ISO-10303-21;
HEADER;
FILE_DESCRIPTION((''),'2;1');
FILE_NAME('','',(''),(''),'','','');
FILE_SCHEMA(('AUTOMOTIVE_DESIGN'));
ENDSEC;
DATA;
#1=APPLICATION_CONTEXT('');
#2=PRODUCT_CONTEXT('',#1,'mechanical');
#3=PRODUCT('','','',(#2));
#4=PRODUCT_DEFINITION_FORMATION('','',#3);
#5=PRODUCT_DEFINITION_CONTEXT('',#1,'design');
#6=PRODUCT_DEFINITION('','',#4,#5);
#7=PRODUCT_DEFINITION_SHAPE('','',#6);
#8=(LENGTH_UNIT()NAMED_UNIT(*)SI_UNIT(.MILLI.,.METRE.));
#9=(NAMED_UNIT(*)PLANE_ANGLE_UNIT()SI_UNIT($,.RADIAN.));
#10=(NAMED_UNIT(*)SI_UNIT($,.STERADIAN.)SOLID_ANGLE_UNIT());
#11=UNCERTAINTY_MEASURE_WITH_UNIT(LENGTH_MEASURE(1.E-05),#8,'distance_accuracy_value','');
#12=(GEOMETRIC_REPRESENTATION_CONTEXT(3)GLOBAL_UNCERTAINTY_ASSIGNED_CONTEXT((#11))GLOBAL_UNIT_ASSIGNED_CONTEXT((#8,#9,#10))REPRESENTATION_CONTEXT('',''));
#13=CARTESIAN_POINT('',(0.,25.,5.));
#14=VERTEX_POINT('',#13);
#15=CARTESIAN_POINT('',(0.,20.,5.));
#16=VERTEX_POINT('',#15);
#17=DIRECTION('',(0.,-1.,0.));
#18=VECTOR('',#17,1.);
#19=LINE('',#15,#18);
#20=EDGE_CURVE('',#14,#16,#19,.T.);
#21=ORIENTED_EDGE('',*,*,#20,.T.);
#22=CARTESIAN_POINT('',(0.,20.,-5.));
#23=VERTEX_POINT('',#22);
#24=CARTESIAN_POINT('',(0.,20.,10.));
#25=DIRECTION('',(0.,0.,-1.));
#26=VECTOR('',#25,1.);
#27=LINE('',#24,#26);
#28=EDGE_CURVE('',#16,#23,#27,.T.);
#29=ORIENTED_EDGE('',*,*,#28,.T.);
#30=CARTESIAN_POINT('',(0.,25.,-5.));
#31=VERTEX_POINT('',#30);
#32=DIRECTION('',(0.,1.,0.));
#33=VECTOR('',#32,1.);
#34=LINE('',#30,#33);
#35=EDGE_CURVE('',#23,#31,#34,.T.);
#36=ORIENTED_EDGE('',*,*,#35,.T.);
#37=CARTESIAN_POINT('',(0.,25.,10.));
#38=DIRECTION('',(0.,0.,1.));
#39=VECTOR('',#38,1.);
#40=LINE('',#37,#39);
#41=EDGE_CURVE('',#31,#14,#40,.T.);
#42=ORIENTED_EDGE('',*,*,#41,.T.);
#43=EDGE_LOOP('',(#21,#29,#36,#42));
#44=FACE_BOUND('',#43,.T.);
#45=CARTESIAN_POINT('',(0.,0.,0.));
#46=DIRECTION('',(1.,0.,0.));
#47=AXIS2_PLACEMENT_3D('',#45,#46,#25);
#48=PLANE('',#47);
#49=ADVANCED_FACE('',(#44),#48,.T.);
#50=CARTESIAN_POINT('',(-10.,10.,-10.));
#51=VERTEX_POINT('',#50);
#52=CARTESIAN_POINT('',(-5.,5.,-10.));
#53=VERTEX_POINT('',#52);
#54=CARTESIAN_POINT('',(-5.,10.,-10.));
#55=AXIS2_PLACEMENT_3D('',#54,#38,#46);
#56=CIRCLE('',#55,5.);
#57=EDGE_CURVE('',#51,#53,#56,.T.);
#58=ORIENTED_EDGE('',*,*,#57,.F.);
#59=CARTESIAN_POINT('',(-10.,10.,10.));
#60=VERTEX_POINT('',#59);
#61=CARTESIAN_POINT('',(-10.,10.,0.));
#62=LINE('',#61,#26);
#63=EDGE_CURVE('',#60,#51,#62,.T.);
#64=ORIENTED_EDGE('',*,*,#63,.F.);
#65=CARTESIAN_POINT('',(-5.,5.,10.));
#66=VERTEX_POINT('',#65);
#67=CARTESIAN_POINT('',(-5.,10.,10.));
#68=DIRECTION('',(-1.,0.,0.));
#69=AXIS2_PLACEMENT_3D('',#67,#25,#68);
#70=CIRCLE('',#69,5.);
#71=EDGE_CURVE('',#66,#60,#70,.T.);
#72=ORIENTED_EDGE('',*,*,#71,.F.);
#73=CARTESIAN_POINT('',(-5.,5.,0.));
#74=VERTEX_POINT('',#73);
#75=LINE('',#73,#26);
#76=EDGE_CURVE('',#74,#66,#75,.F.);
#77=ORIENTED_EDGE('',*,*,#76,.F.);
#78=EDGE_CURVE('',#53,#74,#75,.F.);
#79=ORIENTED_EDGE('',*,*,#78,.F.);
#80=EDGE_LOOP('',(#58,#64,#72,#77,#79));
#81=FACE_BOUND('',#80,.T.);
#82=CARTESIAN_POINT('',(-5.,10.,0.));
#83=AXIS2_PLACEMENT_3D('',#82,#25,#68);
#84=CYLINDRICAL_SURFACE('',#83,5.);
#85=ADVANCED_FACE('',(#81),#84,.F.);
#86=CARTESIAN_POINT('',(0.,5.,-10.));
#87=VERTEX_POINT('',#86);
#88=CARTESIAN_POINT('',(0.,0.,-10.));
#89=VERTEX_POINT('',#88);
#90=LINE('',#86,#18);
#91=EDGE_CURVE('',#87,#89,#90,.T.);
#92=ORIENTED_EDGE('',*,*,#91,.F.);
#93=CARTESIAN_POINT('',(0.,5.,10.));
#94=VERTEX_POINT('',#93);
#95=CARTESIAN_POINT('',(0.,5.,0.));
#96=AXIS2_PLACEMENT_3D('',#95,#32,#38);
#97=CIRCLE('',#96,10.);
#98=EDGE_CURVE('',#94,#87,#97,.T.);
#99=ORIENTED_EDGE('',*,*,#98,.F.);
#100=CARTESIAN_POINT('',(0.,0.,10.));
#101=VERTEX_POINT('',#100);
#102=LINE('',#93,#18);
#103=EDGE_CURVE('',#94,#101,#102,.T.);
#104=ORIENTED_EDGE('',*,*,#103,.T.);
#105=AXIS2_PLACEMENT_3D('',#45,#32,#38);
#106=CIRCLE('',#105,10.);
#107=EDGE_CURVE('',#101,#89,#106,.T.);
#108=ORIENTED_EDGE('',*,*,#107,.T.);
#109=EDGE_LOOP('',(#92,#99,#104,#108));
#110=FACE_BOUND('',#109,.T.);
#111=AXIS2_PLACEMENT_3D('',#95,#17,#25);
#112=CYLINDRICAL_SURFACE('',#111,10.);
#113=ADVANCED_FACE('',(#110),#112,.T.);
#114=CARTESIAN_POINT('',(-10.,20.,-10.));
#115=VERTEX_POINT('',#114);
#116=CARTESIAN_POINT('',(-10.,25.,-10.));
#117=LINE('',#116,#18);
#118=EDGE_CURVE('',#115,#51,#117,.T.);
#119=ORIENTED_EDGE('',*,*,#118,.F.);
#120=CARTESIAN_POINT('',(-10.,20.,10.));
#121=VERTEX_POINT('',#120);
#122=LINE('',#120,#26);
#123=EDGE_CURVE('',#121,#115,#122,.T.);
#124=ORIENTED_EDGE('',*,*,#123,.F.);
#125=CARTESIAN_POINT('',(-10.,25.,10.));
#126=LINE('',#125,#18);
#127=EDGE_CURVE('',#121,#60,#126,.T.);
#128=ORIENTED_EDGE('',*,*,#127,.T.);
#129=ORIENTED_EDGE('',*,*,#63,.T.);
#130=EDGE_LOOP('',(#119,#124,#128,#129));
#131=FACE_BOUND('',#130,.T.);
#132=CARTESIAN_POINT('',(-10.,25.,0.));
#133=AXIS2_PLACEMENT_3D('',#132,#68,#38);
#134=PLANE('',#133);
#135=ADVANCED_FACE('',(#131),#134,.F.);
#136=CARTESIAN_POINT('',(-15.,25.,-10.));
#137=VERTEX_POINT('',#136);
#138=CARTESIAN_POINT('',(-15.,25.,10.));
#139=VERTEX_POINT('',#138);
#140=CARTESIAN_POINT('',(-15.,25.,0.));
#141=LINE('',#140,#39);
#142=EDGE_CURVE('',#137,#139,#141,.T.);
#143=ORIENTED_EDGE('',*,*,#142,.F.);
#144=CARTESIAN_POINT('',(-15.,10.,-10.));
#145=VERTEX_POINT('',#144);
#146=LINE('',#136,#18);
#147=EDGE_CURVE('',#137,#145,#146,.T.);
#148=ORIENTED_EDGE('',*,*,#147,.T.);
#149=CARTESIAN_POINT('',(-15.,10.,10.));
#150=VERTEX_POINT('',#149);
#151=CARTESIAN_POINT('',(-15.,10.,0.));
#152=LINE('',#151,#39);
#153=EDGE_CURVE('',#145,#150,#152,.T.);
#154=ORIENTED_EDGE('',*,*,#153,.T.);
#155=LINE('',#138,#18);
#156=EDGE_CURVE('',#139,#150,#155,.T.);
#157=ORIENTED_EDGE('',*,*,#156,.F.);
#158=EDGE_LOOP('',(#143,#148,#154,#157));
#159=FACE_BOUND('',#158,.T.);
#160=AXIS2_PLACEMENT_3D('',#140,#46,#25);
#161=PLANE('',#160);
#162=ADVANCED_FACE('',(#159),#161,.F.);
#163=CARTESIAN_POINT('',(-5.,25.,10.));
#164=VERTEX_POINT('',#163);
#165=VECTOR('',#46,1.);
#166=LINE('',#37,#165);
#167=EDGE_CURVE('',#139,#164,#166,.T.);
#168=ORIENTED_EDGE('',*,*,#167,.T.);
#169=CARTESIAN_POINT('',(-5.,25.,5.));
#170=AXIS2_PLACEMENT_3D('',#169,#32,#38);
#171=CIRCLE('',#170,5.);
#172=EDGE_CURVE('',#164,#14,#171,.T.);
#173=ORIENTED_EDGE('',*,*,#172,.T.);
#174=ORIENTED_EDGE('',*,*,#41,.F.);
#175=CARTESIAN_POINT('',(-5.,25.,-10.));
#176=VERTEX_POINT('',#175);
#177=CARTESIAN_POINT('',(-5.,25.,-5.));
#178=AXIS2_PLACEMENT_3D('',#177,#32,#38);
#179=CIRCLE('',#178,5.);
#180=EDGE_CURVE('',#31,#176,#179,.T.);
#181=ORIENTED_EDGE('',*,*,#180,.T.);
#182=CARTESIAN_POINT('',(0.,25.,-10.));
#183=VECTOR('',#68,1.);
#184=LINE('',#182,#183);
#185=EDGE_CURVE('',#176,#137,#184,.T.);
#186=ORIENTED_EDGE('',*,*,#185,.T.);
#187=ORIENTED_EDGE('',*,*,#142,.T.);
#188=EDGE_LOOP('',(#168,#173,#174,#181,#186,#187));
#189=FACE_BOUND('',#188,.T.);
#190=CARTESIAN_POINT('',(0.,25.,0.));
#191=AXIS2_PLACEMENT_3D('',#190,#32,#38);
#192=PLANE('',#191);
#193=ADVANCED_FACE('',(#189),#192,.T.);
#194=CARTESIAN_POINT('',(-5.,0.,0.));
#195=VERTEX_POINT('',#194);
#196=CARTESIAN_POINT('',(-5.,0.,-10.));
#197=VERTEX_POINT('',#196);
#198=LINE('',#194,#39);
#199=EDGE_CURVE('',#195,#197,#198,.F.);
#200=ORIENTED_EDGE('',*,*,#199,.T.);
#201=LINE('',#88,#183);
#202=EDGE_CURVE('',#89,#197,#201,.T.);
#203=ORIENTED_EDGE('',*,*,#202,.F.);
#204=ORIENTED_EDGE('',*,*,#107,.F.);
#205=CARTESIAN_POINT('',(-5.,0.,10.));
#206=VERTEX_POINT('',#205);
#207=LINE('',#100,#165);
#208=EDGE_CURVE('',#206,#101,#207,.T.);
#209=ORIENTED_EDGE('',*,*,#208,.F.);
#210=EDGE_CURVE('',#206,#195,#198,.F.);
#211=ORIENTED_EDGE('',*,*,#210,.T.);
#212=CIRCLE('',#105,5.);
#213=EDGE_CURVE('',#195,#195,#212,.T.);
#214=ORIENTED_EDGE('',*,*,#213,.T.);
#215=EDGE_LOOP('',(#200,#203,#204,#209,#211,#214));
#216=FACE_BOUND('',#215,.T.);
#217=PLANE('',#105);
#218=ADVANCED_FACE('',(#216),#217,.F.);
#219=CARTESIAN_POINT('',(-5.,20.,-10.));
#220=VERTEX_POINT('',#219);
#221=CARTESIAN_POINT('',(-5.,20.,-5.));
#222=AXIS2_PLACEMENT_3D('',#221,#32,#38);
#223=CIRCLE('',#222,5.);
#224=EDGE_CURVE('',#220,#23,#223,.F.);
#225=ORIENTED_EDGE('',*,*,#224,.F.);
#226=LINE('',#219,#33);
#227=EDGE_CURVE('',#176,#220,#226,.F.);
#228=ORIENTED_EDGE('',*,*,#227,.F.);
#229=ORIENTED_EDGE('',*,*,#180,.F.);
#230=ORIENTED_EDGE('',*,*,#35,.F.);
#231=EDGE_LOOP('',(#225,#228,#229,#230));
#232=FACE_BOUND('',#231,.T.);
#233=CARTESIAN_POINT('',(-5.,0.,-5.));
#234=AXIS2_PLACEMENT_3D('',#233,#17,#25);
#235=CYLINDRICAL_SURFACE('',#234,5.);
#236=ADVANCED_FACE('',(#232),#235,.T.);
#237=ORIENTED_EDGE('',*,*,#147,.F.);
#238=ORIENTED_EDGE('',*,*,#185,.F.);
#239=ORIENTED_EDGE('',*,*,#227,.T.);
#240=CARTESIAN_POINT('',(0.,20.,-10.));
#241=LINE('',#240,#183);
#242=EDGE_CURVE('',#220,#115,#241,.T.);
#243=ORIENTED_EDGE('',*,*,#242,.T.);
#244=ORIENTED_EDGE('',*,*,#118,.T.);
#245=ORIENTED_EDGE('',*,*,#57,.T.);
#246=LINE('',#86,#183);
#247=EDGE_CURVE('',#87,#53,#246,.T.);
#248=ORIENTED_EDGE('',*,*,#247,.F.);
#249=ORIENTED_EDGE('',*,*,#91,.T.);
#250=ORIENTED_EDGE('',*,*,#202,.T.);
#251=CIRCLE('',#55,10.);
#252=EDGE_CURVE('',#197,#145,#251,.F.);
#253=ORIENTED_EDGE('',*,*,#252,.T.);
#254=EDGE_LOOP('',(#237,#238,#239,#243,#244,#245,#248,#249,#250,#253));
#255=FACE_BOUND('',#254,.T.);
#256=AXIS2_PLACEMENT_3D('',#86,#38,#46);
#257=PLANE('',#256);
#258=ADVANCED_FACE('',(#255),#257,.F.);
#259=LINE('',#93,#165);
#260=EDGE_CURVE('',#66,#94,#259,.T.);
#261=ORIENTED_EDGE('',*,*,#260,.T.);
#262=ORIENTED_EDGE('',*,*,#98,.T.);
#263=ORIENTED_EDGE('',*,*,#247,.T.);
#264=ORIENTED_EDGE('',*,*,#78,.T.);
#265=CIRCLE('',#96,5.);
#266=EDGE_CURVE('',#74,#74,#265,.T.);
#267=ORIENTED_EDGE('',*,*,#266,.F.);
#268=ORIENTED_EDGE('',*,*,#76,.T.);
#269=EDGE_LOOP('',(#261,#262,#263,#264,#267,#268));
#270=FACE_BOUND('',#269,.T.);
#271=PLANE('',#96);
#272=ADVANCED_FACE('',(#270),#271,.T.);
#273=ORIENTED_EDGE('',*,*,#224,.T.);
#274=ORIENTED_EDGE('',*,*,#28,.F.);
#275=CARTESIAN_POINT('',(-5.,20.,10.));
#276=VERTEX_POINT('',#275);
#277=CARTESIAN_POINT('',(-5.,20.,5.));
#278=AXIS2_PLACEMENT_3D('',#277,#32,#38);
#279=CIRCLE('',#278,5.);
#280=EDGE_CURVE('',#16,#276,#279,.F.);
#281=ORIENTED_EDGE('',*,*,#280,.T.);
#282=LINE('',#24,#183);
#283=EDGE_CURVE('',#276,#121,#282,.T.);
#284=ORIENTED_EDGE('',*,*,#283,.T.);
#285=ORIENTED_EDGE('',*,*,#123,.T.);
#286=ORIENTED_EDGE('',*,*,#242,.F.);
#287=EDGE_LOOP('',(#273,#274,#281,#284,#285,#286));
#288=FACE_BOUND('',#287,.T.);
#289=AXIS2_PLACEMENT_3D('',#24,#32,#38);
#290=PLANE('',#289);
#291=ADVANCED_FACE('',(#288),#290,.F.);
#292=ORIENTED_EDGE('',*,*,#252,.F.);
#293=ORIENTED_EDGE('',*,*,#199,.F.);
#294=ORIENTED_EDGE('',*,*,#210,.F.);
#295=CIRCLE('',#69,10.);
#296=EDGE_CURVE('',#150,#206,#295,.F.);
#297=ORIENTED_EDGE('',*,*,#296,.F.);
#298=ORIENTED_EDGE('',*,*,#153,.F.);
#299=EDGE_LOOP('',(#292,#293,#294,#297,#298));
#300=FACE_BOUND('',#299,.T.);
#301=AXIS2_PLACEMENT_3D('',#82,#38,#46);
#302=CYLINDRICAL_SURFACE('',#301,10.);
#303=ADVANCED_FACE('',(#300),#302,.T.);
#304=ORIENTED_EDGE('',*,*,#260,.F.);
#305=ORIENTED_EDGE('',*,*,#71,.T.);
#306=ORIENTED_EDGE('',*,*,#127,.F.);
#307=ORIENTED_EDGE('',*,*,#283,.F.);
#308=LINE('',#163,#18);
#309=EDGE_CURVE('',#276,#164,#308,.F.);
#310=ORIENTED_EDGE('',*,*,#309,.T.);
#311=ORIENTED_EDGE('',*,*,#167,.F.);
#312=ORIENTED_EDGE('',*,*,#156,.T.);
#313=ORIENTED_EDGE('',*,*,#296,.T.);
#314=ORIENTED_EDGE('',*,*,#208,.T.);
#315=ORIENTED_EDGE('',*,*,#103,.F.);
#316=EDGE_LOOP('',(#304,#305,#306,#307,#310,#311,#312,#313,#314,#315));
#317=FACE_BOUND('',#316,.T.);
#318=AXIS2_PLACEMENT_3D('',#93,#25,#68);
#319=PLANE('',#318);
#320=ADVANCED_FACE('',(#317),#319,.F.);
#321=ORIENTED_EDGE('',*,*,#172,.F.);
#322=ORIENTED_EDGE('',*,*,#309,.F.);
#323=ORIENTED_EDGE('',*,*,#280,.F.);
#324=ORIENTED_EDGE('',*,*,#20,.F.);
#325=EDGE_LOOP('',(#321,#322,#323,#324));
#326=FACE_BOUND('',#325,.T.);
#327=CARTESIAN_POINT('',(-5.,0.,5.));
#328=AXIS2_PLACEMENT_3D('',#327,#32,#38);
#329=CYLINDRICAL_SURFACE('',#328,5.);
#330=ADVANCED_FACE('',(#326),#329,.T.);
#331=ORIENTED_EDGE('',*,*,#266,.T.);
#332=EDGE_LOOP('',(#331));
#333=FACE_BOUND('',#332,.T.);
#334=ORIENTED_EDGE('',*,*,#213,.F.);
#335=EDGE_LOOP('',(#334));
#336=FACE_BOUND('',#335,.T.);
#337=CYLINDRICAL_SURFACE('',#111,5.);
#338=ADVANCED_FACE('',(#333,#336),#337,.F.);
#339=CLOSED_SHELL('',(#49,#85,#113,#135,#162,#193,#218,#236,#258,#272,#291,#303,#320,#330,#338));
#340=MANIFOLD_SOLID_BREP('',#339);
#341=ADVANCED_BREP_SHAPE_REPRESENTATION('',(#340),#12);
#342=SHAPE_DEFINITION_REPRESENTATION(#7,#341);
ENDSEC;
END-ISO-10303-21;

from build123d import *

# Parameters (mm, degrees)
SKETCH_1_R      = 5
EXTRUDE_1_DEPTH = 5
SKETCH_1_3_W    = 5
SKETCH_1_3_H    = 20
EXTRUDE_2_DEPTH = 25
SKETCH_2_W      = 20
SKETCH_2_H      = 5
EXTRUDE_3_DEPTH = 10
FILLET_1_R      = 5
FILLET_2_R      = 10
FILLET_3_R      = 5


with BuildPart() as part:
    # 草圖1 → 填料-伸長1 (new body)
    with BuildSketch(Plane(origin=(0, 0, 0), x_dir=(1, 0, 0), z_dir=(0, 1, 0))):
        with BuildLine():
            ThreePointArc((0, -10), (10, 0), (0, 10))
            Line((0, 10), (-10, 10))
            Line((-10, 10), (-10, -10))
            Line((-10, -10), (0, -10))
        make_face()
        with Locations(Location((0, 0, 0), (0, 0, 270))):
            Circle(SKETCH_1_R, mode=Mode.SUBTRACT)
    extrude(amount=EXTRUDE_1_DEPTH)

    # 草圖1<3> → 填料-伸長2 (add)
    with BuildSketch(Plane(origin=(0, 0, 0), x_dir=(1, 0, 0), z_dir=(0, 1, 0))):
        with Locations((-12.5, 0)):
            Rectangle(SKETCH_1_3_W, SKETCH_1_3_H)
    extrude(amount=EXTRUDE_2_DEPTH)

    # 草圖2 → 填料-伸長3 (add)
    with BuildSketch(Plane(origin=(-10, 0, 0), x_dir=(0, 0, -1), z_dir=(1, 0, 0))):
        with Locations((0, 22.5)):
            Rectangle(SKETCH_2_W, SKETCH_2_H)
    extrude(amount=EXTRUDE_3_DEPTH)

    # 圓角1
    fillet_1_edges = [part.edges().sort_by_distance(p)[0] for p in [
        (0, 22.5, 10),
        (0, 22.5, -10),
    ]]
    fillet(fillet_1_edges, radius=FILLET_1_R)

    # 圓角2
    fillet_2_edges = [part.edges().sort_by_distance(p)[0] for p in [
        (-15, 0, 0),
    ]]
    fillet(fillet_2_edges, radius=FILLET_2_R)

    # 圓角3
    fillet_3_edges = [part.edges().sort_by_distance(p)[0] for p in [
        (-10, 5, 0),
    ]]
    fillet(fillet_3_edges, radius=FILLET_3_R)


solid = part.part
